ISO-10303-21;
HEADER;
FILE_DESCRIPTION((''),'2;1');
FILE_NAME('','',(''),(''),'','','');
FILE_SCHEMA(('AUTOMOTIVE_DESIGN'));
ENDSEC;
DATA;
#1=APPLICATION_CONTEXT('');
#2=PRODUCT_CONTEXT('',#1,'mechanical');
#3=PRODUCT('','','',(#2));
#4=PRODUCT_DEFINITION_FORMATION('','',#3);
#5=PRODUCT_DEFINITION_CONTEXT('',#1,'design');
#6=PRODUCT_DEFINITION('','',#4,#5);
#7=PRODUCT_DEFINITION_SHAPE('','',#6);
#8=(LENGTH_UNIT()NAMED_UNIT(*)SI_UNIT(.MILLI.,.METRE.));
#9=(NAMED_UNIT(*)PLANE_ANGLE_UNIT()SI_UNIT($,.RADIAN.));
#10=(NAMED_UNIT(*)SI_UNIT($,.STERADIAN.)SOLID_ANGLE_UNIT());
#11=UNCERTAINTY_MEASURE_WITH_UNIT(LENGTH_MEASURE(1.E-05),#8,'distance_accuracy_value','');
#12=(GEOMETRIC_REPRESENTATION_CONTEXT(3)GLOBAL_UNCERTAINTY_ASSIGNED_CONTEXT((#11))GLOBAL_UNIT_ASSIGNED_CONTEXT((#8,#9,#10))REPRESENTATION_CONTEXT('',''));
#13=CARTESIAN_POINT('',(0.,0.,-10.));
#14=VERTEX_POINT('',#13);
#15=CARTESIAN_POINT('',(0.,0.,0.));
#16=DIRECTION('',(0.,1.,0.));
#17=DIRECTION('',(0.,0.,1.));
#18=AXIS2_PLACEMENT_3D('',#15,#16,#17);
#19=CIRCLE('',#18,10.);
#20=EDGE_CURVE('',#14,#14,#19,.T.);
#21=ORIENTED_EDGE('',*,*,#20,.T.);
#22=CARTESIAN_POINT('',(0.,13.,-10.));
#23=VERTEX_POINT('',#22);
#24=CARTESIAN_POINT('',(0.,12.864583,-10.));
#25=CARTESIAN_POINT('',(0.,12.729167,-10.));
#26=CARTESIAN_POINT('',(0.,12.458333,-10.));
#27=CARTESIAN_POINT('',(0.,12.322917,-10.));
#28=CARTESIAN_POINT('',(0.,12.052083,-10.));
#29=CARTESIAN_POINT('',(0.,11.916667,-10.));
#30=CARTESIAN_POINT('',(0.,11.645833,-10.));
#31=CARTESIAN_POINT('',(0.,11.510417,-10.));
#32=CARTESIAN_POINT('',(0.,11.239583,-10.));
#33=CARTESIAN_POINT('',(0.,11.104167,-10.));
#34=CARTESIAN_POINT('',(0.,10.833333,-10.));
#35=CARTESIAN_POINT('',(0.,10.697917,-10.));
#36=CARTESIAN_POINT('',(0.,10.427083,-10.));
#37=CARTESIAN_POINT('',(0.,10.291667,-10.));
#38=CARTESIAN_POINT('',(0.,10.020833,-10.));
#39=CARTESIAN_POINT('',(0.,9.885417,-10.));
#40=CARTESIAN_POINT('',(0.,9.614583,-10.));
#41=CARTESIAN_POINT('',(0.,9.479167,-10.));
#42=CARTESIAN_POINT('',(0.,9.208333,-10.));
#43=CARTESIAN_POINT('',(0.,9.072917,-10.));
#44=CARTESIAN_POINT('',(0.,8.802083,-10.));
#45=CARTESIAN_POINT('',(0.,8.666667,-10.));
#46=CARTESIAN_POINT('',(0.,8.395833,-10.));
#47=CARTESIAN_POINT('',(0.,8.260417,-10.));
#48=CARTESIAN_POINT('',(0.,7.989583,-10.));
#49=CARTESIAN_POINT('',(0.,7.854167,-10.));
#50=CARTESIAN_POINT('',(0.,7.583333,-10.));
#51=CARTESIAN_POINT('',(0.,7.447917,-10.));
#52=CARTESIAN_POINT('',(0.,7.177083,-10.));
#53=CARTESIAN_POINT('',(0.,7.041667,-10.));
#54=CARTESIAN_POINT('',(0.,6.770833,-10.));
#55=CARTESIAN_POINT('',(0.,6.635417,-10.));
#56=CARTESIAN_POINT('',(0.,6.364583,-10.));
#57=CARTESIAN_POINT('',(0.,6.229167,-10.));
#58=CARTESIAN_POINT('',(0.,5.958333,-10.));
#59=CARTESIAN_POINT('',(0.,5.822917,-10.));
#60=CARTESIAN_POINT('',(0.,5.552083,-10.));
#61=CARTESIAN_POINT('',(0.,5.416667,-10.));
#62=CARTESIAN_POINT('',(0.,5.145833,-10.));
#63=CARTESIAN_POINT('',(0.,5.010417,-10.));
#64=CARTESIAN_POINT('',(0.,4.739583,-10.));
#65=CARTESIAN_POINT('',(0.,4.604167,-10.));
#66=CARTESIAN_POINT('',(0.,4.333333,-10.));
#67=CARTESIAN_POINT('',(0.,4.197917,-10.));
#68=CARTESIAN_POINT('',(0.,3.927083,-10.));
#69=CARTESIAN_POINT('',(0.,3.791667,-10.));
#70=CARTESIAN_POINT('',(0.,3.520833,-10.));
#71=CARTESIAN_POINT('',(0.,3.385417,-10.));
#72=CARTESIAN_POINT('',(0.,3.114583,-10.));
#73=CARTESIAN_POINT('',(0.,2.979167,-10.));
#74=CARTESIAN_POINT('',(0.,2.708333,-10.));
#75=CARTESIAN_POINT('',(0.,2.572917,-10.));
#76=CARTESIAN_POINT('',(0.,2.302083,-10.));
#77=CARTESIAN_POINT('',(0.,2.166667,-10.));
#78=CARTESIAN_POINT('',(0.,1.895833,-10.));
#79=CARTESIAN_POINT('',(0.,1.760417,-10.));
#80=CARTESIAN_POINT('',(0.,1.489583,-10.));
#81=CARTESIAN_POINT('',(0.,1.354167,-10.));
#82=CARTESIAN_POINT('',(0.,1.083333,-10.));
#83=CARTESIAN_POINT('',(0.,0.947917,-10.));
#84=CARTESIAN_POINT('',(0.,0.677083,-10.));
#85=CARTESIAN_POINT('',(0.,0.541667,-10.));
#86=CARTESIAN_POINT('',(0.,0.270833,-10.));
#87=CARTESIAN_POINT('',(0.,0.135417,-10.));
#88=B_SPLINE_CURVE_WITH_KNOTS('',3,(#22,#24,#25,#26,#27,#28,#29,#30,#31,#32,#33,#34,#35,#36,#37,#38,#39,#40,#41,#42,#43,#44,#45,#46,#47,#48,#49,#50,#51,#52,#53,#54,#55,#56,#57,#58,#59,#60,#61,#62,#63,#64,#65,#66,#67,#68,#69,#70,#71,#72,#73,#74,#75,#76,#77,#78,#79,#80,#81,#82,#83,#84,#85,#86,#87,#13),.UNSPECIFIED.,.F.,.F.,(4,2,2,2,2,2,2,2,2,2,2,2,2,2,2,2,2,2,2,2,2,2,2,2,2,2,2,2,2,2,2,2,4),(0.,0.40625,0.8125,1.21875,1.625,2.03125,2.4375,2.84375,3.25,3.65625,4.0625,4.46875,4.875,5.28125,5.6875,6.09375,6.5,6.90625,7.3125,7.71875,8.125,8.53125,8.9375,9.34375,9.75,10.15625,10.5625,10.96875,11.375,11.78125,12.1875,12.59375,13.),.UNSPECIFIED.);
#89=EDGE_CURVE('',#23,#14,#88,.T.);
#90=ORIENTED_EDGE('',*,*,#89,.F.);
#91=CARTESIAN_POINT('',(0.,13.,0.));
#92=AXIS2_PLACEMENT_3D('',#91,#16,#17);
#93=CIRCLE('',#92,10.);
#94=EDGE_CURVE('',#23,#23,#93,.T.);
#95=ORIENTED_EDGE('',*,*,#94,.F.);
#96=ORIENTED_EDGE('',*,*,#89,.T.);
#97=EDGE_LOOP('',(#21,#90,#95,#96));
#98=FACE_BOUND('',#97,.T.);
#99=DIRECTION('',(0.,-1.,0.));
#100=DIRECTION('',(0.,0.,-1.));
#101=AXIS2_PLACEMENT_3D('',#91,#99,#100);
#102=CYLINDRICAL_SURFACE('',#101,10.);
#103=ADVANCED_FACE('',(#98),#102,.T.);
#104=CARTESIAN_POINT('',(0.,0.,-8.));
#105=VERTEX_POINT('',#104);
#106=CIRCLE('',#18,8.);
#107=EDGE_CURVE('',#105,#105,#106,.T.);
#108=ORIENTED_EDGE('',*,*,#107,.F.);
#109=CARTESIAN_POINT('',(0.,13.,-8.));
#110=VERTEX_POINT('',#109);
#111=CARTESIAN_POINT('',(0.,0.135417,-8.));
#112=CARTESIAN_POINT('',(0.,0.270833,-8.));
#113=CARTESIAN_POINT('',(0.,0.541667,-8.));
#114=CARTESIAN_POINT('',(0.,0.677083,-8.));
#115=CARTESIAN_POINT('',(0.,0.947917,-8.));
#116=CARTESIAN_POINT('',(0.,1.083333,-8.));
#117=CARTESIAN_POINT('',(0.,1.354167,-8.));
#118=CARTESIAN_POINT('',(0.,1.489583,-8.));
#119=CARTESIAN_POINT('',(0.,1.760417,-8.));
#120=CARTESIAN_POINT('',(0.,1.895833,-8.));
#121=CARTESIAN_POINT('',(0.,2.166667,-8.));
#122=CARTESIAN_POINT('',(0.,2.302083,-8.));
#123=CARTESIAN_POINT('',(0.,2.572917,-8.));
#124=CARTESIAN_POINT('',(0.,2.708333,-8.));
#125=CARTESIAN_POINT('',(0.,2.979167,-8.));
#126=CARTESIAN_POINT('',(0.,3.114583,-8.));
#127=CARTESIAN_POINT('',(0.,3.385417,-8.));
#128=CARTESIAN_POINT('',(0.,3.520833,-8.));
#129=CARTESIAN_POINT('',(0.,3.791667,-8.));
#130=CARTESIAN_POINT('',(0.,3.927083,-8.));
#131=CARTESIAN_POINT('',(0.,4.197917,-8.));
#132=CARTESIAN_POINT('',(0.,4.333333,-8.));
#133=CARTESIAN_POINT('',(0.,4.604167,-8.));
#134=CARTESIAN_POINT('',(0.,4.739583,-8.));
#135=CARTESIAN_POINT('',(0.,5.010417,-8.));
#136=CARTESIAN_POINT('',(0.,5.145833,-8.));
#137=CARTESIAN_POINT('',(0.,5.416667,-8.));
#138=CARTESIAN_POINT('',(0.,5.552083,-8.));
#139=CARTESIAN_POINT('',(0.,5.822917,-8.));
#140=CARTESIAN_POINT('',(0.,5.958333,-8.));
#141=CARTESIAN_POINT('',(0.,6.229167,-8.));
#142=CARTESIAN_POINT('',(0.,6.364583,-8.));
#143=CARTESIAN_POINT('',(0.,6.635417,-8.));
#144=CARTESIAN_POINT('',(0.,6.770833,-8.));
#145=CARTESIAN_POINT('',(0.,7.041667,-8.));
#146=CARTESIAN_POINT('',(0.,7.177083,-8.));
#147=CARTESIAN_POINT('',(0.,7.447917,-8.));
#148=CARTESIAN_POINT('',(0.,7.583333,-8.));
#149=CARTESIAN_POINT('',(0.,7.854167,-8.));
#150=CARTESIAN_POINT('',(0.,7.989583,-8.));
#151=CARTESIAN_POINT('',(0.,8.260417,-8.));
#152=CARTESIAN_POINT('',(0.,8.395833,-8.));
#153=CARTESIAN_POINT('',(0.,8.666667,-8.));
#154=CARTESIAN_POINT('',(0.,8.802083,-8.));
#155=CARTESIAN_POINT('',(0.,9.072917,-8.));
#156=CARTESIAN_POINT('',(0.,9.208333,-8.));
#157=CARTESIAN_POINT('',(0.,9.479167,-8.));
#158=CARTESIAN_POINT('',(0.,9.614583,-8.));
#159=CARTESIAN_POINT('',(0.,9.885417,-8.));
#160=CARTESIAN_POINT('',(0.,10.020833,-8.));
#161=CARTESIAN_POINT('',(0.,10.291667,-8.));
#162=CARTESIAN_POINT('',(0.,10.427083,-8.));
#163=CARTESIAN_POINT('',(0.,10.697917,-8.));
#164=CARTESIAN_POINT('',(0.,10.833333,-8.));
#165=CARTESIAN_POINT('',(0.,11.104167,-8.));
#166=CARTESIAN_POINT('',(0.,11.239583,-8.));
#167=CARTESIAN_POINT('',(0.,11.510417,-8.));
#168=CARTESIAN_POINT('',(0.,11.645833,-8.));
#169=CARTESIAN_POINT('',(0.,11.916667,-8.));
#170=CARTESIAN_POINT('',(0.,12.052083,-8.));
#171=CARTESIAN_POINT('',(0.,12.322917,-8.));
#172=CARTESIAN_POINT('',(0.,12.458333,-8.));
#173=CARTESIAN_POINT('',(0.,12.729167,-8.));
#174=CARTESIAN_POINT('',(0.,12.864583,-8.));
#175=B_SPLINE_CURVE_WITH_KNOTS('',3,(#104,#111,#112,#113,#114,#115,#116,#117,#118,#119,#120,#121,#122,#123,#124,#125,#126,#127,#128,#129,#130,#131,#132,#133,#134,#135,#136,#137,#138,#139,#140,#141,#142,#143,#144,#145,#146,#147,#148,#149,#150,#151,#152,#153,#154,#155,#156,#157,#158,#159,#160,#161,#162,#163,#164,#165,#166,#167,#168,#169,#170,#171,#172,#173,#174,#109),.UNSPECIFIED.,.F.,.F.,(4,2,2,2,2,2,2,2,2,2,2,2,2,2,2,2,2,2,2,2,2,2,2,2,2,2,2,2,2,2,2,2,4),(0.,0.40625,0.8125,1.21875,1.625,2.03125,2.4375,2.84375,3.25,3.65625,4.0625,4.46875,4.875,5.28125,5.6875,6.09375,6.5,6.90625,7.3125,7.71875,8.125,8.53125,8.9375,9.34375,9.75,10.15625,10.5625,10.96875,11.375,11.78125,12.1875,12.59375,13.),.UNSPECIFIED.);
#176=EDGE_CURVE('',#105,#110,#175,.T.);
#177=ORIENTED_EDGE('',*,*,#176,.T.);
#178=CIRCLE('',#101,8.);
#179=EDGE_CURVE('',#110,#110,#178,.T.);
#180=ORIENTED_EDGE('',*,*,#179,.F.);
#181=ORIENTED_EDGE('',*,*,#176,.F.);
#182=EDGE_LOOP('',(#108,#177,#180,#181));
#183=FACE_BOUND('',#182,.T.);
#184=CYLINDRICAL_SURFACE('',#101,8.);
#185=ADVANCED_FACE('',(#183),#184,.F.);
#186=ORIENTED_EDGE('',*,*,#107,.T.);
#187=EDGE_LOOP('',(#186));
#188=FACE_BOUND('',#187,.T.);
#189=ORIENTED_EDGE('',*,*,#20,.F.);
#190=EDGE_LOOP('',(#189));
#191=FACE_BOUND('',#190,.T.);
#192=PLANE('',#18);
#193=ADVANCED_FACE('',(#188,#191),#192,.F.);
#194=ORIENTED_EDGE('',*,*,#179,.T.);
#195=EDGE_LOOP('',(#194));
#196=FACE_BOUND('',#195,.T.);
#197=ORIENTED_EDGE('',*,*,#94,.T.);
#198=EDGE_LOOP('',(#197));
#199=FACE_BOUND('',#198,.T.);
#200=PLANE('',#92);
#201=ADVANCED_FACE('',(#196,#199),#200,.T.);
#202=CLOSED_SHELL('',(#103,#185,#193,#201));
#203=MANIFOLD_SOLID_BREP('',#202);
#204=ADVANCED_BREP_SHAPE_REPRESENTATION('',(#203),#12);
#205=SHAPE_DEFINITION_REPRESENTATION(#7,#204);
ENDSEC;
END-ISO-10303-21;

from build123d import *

# Parameters (mm, degrees)
SKETCH1_R           = 10
BOSS_EXTRUDE1_DEPTH = 13


with BuildPart() as part:
    # Sketch1 → Boss-Extrude1 (new body)
    with BuildSketch(Plane(origin=(0, 0, 0), x_dir=(1, 0, 0), z_dir=(0, 1, 0))):
        with Locations(Location((0, 0, 0), (0, 0, 90))):
            Circle(SKETCH1_R)
        with BuildLine():
            ThreePointArc((-8, 0), (0, 8), (8, 0))
            ThreePointArc((8, 0), (0, -8), (-8, 0))
        make_face(mode=Mode.SUBTRACT)
    extrude(amount=BOSS_EXTRUDE1_DEPTH)


solid = part.part
